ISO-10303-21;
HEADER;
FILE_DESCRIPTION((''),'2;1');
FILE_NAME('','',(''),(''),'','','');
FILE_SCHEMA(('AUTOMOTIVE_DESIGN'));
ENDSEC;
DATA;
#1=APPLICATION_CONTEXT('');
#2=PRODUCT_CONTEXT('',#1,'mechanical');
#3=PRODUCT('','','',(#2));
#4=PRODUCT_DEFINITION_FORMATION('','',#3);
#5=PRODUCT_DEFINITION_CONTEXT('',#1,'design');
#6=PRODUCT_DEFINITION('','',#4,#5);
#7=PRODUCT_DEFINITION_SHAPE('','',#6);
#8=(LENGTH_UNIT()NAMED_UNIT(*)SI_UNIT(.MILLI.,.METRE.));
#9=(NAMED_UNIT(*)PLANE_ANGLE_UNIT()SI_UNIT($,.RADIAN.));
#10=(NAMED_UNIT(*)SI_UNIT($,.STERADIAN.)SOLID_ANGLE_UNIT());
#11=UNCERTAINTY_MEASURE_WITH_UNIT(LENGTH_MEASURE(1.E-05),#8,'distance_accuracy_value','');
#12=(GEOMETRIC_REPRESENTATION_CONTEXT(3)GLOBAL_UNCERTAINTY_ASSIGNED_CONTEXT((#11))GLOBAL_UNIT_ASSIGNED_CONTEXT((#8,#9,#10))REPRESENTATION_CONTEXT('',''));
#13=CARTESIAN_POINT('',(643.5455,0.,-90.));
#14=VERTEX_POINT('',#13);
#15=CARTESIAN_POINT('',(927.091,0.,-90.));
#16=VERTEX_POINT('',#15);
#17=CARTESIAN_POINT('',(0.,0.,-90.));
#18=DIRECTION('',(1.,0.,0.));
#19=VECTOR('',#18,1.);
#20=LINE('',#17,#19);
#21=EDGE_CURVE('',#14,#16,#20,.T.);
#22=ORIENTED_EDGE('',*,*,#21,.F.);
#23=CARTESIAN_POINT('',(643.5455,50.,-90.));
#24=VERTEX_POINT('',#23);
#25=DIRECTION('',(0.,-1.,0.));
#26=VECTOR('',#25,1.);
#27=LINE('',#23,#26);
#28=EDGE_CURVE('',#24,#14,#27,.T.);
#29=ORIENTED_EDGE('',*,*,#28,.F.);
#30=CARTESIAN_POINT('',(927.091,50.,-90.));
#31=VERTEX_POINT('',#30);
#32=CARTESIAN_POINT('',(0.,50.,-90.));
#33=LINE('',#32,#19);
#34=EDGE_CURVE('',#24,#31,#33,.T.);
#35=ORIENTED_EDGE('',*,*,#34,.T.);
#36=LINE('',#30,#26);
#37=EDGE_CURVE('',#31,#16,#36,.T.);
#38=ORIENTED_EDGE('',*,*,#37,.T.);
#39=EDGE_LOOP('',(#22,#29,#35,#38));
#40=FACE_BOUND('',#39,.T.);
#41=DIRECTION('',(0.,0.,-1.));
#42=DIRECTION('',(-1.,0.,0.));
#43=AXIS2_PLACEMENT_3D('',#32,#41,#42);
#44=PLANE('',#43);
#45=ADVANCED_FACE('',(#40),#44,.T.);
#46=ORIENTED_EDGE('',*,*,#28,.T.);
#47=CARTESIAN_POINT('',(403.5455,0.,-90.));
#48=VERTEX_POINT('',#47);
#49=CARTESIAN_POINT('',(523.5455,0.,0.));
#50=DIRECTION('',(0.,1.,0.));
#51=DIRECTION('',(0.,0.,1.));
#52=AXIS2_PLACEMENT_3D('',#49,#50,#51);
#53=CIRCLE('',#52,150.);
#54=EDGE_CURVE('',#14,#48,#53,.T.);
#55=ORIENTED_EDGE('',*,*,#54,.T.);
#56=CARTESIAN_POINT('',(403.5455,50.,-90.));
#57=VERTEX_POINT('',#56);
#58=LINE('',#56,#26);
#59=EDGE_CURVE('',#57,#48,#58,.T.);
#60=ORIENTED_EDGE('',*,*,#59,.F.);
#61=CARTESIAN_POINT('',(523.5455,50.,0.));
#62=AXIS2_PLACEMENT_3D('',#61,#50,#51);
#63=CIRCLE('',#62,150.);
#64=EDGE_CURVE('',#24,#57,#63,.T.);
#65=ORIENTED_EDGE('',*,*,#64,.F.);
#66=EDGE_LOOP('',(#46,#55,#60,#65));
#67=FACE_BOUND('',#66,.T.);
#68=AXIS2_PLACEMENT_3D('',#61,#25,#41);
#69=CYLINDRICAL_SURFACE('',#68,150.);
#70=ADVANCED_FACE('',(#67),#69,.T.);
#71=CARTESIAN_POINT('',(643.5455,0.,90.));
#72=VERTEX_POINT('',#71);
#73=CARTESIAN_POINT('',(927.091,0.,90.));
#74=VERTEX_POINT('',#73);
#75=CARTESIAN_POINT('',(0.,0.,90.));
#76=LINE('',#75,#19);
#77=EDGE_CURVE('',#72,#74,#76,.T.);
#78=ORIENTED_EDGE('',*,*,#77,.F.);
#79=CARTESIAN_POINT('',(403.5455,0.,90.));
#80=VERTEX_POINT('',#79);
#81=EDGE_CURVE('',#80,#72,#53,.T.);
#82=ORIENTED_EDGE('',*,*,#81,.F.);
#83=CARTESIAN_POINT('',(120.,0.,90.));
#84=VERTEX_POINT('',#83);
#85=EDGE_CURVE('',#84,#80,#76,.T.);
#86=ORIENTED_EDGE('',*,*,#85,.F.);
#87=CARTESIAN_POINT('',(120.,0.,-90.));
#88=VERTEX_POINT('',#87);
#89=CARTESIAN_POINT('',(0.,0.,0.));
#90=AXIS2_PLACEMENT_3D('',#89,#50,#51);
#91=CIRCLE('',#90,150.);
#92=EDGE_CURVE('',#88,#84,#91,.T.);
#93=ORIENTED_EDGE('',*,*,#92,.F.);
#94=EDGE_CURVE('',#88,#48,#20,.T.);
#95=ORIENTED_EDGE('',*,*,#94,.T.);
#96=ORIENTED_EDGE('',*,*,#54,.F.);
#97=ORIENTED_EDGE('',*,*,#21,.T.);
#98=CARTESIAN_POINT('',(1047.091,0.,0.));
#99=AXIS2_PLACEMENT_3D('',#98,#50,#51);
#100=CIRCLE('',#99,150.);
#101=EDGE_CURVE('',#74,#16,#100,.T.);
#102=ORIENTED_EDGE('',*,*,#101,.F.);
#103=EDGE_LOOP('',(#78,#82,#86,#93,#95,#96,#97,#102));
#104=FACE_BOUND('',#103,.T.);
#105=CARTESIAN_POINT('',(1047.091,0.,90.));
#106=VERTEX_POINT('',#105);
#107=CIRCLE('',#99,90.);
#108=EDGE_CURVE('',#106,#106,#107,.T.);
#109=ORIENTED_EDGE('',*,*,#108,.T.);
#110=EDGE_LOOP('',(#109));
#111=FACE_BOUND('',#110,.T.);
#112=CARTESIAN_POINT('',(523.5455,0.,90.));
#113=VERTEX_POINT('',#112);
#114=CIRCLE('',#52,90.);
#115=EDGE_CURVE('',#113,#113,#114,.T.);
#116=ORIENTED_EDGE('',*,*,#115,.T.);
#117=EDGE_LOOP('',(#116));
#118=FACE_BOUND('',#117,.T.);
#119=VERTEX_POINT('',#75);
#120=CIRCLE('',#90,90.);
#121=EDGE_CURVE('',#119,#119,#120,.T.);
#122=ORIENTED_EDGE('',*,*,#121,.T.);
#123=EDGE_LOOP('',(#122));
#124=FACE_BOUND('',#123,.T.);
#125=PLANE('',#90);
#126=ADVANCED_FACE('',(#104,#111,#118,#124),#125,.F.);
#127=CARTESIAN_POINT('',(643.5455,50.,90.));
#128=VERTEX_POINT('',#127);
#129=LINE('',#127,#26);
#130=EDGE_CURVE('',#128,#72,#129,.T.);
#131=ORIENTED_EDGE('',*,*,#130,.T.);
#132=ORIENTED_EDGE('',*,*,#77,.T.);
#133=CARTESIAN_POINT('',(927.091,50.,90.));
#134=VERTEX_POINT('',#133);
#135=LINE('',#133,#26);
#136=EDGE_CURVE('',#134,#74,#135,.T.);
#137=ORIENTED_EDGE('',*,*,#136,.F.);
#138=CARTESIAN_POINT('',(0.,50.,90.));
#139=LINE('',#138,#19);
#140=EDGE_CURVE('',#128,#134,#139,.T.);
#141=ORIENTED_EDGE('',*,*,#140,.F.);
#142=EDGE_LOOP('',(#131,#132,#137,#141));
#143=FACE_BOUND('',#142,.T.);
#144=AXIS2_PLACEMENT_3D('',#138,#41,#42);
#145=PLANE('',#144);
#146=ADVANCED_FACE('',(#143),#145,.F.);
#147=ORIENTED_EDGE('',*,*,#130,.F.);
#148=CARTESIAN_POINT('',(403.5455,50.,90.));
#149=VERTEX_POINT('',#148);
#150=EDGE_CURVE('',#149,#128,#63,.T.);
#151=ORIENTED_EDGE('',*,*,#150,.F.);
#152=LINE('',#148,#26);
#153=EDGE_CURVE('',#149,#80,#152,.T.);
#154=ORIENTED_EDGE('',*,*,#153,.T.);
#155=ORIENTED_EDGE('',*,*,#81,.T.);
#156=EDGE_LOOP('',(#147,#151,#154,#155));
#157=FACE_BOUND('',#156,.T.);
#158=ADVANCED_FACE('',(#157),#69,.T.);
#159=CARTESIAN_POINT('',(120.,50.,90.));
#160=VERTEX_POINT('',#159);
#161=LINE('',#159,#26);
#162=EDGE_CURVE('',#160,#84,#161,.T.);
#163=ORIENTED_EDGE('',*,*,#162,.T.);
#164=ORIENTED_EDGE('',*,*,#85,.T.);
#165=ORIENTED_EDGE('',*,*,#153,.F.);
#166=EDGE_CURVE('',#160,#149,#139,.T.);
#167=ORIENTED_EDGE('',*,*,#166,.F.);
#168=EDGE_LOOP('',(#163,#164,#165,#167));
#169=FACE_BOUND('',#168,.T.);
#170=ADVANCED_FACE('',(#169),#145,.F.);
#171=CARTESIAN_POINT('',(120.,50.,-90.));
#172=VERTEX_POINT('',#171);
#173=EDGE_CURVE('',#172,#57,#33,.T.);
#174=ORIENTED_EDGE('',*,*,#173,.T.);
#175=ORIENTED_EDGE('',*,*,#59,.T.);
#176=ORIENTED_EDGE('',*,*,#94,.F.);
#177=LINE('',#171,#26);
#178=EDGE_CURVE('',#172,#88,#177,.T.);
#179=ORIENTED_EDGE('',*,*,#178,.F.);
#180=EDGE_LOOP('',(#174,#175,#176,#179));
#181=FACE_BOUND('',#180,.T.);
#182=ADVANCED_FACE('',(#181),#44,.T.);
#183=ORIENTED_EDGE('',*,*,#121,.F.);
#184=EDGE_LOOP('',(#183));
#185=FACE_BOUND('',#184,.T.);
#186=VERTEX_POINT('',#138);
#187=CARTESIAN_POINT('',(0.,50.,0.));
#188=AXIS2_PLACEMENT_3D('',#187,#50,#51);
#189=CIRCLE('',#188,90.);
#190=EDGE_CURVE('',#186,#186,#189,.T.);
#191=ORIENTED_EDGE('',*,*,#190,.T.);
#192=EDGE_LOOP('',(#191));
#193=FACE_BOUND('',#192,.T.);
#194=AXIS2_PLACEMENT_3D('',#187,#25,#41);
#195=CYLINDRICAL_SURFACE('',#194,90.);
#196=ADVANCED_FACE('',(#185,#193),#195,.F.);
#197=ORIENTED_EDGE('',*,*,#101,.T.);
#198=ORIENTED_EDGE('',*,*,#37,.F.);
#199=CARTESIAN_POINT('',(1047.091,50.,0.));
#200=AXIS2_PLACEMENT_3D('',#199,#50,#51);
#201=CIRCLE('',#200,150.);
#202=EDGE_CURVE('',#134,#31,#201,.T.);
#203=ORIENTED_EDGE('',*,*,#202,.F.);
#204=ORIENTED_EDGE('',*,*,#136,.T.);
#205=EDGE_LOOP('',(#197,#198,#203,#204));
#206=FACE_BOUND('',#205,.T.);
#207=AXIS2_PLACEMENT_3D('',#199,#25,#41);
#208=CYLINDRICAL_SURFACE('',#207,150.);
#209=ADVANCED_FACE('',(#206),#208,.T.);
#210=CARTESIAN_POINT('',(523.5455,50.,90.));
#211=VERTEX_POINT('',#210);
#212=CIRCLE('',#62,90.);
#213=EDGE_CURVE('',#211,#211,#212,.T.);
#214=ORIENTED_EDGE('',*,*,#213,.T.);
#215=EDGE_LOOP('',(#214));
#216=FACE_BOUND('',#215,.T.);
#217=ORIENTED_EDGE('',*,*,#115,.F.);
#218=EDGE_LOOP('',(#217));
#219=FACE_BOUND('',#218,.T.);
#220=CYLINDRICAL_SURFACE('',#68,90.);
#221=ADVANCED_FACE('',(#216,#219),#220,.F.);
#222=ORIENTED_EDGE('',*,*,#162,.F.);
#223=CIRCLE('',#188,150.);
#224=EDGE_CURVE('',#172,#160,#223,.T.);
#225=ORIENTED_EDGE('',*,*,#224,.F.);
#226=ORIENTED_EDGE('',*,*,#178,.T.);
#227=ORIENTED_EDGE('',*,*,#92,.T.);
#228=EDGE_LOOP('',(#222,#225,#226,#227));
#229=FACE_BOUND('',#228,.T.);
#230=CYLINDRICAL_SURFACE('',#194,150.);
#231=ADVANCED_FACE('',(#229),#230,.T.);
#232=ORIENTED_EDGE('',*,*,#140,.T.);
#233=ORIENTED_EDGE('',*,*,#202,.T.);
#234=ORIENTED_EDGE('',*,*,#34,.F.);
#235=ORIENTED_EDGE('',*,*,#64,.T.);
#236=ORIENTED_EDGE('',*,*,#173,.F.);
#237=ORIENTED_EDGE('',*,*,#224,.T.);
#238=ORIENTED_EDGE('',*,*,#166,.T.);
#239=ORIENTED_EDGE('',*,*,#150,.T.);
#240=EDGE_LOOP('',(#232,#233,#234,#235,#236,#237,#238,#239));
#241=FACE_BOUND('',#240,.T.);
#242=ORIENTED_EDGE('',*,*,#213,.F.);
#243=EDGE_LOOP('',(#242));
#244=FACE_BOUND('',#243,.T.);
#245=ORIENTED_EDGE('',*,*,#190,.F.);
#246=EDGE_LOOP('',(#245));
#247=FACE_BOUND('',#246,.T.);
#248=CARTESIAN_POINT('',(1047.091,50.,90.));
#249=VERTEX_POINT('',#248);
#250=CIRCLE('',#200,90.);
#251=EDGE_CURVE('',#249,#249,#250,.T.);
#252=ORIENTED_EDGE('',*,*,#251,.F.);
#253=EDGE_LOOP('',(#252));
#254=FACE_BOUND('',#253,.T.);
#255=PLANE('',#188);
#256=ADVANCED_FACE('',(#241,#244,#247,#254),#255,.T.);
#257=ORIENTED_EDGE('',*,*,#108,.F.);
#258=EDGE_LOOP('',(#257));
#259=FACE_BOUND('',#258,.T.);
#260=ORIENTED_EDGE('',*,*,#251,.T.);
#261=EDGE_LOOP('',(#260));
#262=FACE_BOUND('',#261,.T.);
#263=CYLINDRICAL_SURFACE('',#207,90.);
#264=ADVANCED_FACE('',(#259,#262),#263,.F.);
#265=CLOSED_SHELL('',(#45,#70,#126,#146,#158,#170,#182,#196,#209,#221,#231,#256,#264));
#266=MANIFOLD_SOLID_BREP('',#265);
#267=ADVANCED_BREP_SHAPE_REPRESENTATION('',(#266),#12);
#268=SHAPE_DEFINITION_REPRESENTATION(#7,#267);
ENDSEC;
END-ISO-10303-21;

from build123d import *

# Parameters (mm, degrees)
SKETCH1_R           = 90
BOSS_EXTRUDE1_DEPTH = 50


with BuildPart() as part:
    # Sketch1 → Boss-Extrude1 (new body)
    with BuildSketch(Plane(origin=(0, 0, 0), x_dir=(1, 0, 0), z_dir=(0, 1, 0))):
        with BuildLine():
            ThreePointArc((120, 90), (-150, 0), (120, -90))
            Line((120, -90), (403.5455, -90))
            ThreePointArc((403.5455, -90), (523.5455, -150), (643.5455, -90))
            Line((643.5455, -90), (927.091, -90))
            ThreePointArc((927.091, -90), (1197.091, 0), (927.091, 90))
            Line((927.091, 90), (643.5455, 90))
            ThreePointArc((643.5455, 90), (523.5455, 150), (403.5455, 90))
            Line((403.5455, 90), (120, 90))
        make_face()
        with Locations(Location((0, 0, 0), (0, 0, 270))):
            Circle(SKETCH1_R, mode=Mode.SUBTRACT)
        with Locations(Location((523.5455, 0, 0), (0, 0, 270))):
            Circle(SKETCH1_R, mode=Mode.SUBTRACT)
        with Locations(Location((1047.091, 0, 0), (0, 0, 270))):
            Circle(SKETCH1_R, mode=Mode.SUBTRACT)
    extrude(amount=BOSS_EXTRUDE1_DEPTH)


solid = part.part
